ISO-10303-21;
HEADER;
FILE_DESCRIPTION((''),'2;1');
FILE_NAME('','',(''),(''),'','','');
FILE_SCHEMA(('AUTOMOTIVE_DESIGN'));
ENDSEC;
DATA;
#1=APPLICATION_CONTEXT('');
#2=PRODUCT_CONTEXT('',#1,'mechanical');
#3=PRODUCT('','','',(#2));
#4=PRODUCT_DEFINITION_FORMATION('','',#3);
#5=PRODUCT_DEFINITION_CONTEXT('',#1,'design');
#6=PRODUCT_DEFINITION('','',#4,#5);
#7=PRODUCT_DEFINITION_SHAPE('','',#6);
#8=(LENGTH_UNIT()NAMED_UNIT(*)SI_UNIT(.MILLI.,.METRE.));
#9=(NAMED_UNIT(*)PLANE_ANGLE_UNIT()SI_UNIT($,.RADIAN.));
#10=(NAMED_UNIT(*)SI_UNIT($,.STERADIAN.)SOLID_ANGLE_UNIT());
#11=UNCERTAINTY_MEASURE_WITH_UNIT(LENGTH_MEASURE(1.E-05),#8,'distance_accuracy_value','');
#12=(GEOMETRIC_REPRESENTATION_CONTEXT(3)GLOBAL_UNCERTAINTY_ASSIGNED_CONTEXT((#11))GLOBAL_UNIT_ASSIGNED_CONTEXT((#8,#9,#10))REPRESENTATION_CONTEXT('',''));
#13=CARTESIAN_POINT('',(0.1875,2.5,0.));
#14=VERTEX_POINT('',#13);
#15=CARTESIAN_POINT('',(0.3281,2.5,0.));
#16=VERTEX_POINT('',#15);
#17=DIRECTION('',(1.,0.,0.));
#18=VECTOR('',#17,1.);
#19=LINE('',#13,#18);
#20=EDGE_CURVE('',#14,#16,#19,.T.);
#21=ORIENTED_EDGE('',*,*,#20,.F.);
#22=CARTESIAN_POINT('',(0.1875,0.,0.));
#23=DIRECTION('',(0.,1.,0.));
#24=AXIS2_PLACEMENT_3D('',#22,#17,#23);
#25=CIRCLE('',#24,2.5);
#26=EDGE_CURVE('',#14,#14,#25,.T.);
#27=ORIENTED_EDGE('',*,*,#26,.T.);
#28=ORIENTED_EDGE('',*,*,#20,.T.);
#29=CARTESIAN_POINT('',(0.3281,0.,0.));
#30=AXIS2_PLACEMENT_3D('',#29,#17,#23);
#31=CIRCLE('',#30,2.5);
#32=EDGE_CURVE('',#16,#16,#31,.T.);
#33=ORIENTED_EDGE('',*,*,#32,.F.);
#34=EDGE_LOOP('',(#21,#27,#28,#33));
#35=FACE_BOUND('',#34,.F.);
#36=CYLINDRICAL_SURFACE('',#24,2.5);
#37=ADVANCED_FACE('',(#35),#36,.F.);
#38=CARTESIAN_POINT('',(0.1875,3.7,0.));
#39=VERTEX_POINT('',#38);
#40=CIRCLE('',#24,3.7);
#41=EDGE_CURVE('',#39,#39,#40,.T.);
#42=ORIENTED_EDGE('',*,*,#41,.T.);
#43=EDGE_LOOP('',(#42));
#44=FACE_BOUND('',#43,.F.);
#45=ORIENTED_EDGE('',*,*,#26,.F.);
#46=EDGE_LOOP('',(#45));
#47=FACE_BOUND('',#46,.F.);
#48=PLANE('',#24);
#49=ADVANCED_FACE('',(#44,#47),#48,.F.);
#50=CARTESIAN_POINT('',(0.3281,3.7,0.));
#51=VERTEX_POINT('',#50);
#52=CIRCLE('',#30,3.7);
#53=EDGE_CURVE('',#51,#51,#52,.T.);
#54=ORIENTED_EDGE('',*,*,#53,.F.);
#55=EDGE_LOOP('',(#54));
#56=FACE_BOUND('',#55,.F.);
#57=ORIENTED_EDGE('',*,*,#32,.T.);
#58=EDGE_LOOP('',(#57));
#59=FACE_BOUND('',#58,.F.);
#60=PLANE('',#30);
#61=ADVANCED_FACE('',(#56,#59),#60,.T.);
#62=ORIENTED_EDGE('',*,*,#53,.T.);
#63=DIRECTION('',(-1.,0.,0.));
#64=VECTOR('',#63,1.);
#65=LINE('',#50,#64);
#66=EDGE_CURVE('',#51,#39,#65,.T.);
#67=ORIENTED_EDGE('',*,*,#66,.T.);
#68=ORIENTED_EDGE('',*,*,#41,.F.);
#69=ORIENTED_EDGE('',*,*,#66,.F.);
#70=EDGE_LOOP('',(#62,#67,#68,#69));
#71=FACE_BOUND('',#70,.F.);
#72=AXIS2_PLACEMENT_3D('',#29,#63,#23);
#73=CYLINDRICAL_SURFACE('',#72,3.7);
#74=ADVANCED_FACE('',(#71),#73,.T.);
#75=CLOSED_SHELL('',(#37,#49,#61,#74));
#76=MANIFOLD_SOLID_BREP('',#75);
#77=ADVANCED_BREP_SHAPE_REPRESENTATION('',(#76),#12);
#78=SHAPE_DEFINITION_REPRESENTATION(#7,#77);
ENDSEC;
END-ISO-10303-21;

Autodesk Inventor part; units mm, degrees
sketch "Sketch_1" plane through (0, 0, 0) normal (0, 0, 1) x (1, 0, 0)
  line L0 (0.3281, 0) -> (0.1875, 0)
  line L1 (0.1875, 2.5) -> (0.3281, 2.5)
  line L2 (0.3281, 2.5) -> (0.3281, 3.7)
  line L3 (0.3281, 3.7) -> (0.1875, 3.7)
  line L4 (0.1875, 3.7) -> (0.1875, 2.5)
revolve "Revolution1" add sketch "Sketch_1" angle 360 about axis through (0.3281, 0, 0) along (1, 0, 0)
ref_plane "ip_st_1_XY" through (0.1875, 0, 0) normal (-1, 0, 0) x (0, 0, -1)
ref_plane "ip_st_1_YZ" through (0.1875, 0, 0) normal (0, 0, -1) x (0, -1, 0)
ref_plane "ip_st_1_ZX" through (0.1875, 0, 0) normal (0, -1, 0) x (-1, 0, 0)
properties part number "MF84ZZ Shield1"
